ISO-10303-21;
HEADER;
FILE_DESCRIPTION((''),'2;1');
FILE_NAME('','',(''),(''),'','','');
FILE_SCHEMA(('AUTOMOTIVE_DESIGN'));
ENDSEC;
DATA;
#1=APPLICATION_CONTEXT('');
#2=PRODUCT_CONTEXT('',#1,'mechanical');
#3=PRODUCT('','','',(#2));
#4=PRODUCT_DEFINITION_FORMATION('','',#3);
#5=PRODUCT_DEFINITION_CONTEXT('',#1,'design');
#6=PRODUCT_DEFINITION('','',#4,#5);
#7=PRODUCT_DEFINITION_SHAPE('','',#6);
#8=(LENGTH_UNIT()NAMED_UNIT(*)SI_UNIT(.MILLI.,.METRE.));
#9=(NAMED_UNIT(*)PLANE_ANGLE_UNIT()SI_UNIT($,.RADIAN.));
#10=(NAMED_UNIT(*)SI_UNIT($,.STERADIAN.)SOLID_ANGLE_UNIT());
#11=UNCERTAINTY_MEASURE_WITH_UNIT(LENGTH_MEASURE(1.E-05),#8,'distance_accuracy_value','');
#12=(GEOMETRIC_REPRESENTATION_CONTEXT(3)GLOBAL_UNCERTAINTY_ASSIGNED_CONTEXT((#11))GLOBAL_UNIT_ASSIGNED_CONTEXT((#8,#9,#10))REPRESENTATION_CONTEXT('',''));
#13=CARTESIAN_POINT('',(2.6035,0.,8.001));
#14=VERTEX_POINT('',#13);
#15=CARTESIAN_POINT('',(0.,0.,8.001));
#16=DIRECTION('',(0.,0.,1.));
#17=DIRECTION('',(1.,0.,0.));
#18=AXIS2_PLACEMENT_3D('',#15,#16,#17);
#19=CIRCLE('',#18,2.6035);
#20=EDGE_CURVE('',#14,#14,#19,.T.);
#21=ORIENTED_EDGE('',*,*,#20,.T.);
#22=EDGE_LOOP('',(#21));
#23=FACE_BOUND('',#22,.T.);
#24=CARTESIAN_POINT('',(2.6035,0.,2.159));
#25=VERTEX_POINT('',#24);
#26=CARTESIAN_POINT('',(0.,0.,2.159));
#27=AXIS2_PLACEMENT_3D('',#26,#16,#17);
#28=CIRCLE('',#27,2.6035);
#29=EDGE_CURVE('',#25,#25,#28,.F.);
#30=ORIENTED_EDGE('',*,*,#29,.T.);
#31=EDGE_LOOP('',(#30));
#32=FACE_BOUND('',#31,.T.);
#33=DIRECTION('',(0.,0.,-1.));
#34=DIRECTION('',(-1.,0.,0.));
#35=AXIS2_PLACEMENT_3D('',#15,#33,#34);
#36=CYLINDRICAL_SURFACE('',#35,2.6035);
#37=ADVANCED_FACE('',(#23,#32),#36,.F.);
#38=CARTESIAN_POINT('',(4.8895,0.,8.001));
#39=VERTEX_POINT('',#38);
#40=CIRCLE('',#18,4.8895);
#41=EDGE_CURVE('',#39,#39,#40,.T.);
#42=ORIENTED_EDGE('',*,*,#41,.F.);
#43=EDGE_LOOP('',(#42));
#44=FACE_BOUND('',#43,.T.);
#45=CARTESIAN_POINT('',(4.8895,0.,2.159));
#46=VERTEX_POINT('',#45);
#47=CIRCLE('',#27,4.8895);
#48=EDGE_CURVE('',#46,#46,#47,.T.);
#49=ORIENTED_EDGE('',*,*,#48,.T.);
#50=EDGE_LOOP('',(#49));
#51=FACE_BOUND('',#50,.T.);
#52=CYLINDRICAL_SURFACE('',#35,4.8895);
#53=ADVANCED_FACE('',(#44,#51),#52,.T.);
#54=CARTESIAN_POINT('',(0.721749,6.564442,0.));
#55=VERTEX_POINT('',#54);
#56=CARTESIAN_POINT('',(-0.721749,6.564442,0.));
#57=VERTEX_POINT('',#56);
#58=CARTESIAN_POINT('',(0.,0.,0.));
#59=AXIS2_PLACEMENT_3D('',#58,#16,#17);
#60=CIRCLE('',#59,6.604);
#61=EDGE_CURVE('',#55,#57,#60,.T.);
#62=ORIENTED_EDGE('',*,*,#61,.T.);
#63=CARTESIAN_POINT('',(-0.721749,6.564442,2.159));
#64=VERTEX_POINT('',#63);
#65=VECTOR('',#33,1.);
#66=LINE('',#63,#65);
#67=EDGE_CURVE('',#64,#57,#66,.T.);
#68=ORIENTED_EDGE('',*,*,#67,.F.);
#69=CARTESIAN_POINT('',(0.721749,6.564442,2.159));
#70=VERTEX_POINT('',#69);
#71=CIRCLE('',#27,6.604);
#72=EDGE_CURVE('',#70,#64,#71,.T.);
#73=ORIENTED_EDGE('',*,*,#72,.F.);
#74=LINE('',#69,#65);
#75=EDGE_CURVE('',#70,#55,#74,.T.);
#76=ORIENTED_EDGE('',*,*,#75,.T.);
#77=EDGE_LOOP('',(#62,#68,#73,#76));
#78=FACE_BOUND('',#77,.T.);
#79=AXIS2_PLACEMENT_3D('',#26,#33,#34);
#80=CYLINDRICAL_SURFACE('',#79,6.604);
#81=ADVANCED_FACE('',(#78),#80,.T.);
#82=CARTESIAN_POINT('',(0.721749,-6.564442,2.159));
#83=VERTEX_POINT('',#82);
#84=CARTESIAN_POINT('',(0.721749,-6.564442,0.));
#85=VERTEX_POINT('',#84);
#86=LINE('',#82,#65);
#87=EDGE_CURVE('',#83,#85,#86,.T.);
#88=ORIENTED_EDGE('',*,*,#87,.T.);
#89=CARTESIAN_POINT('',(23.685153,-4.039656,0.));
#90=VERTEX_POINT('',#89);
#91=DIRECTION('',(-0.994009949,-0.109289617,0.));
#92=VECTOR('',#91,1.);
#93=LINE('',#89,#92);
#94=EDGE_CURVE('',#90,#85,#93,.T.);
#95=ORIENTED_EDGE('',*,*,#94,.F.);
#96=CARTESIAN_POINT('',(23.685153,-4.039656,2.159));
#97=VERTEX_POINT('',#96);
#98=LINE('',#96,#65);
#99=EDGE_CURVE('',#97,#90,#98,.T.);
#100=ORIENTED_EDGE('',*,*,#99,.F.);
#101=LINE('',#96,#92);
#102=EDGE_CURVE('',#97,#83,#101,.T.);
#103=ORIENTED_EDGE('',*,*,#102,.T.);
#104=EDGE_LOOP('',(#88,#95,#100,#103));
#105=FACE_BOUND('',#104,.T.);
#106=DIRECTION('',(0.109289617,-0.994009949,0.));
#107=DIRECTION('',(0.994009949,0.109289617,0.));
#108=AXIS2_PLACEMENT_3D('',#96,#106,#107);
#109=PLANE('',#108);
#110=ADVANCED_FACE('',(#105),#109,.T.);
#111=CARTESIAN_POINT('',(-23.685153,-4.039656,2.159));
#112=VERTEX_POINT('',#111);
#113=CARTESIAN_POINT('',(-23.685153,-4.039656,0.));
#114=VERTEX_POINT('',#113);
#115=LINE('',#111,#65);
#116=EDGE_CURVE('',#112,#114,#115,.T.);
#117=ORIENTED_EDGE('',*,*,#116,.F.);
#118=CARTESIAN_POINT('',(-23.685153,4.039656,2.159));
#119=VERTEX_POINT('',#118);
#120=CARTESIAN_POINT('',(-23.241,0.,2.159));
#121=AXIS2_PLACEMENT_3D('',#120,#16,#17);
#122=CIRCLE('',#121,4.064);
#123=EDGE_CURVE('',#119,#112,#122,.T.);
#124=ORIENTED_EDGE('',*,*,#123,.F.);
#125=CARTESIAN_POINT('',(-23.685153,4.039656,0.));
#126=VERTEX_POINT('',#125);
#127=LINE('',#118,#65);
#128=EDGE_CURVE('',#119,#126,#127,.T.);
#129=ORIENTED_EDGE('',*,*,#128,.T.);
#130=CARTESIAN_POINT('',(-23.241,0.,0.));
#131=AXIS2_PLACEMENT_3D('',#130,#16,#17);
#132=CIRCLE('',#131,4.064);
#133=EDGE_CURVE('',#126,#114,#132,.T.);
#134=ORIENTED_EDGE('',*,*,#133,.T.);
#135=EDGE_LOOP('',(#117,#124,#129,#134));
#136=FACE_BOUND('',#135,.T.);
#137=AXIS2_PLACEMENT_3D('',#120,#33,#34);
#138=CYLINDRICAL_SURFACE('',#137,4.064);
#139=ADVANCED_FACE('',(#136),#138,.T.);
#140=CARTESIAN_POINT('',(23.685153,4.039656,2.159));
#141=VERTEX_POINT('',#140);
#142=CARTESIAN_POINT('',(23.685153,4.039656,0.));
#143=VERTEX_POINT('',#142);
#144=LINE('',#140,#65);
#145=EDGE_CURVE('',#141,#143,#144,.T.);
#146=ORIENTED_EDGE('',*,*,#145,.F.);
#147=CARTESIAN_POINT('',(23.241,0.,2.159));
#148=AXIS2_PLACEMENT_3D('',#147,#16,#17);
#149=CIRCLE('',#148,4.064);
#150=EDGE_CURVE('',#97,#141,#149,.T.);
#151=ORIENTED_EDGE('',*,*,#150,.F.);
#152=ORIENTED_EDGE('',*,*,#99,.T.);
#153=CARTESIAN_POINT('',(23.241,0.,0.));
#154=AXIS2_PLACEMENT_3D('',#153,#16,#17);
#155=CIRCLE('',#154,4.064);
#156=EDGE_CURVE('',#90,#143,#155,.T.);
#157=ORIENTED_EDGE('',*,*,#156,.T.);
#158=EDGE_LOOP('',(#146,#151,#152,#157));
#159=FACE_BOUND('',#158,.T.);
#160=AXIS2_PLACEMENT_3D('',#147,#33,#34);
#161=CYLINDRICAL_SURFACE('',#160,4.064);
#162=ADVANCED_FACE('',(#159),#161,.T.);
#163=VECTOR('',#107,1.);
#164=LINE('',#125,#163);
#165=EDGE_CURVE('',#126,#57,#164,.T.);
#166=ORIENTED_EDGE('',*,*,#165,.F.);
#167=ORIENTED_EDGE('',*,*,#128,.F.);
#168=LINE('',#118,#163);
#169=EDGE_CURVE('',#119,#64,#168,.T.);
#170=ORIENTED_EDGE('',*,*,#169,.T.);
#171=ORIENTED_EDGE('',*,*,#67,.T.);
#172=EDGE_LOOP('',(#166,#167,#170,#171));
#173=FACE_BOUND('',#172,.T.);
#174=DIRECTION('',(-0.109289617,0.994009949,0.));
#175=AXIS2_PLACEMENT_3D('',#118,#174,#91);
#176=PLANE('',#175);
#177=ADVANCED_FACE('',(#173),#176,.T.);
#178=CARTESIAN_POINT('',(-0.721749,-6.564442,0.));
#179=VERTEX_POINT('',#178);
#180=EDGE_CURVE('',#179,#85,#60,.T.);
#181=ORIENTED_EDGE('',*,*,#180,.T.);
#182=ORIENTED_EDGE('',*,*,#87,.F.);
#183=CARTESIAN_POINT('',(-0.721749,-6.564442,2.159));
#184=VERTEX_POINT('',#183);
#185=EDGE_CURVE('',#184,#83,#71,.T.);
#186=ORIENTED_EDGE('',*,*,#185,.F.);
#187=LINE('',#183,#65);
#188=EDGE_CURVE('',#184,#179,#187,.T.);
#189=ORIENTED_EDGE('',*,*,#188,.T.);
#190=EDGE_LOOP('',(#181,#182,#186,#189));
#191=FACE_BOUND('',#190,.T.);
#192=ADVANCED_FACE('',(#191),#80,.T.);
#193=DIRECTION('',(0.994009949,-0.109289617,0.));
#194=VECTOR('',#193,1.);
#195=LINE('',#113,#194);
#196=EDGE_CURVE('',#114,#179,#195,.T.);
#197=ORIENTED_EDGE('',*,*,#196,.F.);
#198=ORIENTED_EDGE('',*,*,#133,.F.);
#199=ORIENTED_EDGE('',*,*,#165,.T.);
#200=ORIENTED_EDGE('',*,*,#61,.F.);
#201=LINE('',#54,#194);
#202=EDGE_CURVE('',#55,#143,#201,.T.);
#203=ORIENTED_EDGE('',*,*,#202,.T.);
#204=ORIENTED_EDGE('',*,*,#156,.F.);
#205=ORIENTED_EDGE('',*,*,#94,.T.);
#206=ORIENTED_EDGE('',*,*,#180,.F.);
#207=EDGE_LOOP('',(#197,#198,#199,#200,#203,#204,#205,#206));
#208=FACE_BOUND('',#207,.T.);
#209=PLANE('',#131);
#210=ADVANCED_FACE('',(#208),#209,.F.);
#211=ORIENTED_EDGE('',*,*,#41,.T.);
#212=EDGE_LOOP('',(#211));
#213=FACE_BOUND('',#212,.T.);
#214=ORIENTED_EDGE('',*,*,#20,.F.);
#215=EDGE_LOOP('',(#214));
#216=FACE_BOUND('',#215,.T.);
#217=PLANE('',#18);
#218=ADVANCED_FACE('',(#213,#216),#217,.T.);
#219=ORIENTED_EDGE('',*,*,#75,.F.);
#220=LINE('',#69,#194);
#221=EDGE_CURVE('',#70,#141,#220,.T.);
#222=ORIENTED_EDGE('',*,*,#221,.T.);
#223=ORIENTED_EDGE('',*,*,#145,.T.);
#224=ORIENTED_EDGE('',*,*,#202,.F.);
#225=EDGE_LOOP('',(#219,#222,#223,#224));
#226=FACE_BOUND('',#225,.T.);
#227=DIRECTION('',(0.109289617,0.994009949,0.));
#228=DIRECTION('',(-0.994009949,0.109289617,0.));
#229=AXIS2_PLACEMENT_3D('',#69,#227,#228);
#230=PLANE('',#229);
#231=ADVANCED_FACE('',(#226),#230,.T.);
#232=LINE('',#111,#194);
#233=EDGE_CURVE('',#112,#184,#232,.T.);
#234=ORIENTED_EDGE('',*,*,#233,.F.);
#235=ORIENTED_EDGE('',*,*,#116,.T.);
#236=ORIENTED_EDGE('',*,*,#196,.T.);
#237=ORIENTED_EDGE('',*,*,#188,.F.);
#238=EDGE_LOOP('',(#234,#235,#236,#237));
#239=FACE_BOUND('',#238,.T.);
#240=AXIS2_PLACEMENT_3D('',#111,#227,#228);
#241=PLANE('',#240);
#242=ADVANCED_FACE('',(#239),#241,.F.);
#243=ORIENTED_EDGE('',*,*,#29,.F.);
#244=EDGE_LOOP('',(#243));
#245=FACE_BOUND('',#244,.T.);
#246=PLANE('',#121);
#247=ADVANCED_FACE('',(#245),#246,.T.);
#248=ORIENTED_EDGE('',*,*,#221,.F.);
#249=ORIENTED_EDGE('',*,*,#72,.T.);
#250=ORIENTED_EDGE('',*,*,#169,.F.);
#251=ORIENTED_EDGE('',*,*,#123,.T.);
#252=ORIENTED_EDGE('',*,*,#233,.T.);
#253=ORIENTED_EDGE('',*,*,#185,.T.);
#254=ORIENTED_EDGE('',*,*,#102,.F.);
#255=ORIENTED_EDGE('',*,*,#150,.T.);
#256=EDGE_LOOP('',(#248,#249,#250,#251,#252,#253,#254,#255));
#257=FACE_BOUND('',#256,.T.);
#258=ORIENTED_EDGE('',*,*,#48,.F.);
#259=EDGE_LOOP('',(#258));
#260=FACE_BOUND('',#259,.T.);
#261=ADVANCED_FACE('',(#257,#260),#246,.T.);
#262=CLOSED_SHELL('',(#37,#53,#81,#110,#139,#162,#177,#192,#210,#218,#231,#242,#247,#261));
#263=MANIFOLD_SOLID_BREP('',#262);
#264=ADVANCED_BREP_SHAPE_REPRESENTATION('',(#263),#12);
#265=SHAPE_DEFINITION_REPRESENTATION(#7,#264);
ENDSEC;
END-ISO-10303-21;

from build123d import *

# Parameters (mm, degrees)
BOSS_EXTRUDE1_DEPTH = 2.159
SKETCH2_R           = 4.8895
SKETCH2_R_2         = 2.6035
BOSS_EXTRUDE2_DEPTH = 5.842


with BuildPart() as part:
    # Sketch1 → Boss-Extrude1 (new body)
    with BuildSketch(Plane.XY):
        with BuildLine():
            Line((-23.685153005, 4.039656434), (-0.721748634, 6.564441706))
            ThreePointArc((-0.721748634, 6.564441706), (0, 6.604), (0.721748634, 6.564441706))
            Line((0.721748634, 6.564441706), (23.685153005, 4.039656434))
            ThreePointArc((23.685153005, 4.039656434), (27.305, 0), (23.685153005, -4.039656434))
            Line((23.685153005, -4.039656434), (0.721748634, -6.564441706))
            ThreePointArc((0.721748634, -6.564441706), (0, -6.604), (-0.721748634, -6.564441706))
            Line((-0.721748634, -6.564441706), (-23.685153005, -4.039656434))
            ThreePointArc((-23.685153005, -4.039656434), (-27.305, 0), (-23.685153005, 4.039656434))
        make_face()
    extrude(amount=BOSS_EXTRUDE1_DEPTH)

    # Sketch2 → Boss-Extrude2 (add)
    with BuildSketch(Plane.XY.offset(2.159)):
        Circle(SKETCH2_R)
        Circle(SKETCH2_R_2, mode=Mode.SUBTRACT)
    extrude(amount=BOSS_EXTRUDE2_DEPTH)


solid = part.part
